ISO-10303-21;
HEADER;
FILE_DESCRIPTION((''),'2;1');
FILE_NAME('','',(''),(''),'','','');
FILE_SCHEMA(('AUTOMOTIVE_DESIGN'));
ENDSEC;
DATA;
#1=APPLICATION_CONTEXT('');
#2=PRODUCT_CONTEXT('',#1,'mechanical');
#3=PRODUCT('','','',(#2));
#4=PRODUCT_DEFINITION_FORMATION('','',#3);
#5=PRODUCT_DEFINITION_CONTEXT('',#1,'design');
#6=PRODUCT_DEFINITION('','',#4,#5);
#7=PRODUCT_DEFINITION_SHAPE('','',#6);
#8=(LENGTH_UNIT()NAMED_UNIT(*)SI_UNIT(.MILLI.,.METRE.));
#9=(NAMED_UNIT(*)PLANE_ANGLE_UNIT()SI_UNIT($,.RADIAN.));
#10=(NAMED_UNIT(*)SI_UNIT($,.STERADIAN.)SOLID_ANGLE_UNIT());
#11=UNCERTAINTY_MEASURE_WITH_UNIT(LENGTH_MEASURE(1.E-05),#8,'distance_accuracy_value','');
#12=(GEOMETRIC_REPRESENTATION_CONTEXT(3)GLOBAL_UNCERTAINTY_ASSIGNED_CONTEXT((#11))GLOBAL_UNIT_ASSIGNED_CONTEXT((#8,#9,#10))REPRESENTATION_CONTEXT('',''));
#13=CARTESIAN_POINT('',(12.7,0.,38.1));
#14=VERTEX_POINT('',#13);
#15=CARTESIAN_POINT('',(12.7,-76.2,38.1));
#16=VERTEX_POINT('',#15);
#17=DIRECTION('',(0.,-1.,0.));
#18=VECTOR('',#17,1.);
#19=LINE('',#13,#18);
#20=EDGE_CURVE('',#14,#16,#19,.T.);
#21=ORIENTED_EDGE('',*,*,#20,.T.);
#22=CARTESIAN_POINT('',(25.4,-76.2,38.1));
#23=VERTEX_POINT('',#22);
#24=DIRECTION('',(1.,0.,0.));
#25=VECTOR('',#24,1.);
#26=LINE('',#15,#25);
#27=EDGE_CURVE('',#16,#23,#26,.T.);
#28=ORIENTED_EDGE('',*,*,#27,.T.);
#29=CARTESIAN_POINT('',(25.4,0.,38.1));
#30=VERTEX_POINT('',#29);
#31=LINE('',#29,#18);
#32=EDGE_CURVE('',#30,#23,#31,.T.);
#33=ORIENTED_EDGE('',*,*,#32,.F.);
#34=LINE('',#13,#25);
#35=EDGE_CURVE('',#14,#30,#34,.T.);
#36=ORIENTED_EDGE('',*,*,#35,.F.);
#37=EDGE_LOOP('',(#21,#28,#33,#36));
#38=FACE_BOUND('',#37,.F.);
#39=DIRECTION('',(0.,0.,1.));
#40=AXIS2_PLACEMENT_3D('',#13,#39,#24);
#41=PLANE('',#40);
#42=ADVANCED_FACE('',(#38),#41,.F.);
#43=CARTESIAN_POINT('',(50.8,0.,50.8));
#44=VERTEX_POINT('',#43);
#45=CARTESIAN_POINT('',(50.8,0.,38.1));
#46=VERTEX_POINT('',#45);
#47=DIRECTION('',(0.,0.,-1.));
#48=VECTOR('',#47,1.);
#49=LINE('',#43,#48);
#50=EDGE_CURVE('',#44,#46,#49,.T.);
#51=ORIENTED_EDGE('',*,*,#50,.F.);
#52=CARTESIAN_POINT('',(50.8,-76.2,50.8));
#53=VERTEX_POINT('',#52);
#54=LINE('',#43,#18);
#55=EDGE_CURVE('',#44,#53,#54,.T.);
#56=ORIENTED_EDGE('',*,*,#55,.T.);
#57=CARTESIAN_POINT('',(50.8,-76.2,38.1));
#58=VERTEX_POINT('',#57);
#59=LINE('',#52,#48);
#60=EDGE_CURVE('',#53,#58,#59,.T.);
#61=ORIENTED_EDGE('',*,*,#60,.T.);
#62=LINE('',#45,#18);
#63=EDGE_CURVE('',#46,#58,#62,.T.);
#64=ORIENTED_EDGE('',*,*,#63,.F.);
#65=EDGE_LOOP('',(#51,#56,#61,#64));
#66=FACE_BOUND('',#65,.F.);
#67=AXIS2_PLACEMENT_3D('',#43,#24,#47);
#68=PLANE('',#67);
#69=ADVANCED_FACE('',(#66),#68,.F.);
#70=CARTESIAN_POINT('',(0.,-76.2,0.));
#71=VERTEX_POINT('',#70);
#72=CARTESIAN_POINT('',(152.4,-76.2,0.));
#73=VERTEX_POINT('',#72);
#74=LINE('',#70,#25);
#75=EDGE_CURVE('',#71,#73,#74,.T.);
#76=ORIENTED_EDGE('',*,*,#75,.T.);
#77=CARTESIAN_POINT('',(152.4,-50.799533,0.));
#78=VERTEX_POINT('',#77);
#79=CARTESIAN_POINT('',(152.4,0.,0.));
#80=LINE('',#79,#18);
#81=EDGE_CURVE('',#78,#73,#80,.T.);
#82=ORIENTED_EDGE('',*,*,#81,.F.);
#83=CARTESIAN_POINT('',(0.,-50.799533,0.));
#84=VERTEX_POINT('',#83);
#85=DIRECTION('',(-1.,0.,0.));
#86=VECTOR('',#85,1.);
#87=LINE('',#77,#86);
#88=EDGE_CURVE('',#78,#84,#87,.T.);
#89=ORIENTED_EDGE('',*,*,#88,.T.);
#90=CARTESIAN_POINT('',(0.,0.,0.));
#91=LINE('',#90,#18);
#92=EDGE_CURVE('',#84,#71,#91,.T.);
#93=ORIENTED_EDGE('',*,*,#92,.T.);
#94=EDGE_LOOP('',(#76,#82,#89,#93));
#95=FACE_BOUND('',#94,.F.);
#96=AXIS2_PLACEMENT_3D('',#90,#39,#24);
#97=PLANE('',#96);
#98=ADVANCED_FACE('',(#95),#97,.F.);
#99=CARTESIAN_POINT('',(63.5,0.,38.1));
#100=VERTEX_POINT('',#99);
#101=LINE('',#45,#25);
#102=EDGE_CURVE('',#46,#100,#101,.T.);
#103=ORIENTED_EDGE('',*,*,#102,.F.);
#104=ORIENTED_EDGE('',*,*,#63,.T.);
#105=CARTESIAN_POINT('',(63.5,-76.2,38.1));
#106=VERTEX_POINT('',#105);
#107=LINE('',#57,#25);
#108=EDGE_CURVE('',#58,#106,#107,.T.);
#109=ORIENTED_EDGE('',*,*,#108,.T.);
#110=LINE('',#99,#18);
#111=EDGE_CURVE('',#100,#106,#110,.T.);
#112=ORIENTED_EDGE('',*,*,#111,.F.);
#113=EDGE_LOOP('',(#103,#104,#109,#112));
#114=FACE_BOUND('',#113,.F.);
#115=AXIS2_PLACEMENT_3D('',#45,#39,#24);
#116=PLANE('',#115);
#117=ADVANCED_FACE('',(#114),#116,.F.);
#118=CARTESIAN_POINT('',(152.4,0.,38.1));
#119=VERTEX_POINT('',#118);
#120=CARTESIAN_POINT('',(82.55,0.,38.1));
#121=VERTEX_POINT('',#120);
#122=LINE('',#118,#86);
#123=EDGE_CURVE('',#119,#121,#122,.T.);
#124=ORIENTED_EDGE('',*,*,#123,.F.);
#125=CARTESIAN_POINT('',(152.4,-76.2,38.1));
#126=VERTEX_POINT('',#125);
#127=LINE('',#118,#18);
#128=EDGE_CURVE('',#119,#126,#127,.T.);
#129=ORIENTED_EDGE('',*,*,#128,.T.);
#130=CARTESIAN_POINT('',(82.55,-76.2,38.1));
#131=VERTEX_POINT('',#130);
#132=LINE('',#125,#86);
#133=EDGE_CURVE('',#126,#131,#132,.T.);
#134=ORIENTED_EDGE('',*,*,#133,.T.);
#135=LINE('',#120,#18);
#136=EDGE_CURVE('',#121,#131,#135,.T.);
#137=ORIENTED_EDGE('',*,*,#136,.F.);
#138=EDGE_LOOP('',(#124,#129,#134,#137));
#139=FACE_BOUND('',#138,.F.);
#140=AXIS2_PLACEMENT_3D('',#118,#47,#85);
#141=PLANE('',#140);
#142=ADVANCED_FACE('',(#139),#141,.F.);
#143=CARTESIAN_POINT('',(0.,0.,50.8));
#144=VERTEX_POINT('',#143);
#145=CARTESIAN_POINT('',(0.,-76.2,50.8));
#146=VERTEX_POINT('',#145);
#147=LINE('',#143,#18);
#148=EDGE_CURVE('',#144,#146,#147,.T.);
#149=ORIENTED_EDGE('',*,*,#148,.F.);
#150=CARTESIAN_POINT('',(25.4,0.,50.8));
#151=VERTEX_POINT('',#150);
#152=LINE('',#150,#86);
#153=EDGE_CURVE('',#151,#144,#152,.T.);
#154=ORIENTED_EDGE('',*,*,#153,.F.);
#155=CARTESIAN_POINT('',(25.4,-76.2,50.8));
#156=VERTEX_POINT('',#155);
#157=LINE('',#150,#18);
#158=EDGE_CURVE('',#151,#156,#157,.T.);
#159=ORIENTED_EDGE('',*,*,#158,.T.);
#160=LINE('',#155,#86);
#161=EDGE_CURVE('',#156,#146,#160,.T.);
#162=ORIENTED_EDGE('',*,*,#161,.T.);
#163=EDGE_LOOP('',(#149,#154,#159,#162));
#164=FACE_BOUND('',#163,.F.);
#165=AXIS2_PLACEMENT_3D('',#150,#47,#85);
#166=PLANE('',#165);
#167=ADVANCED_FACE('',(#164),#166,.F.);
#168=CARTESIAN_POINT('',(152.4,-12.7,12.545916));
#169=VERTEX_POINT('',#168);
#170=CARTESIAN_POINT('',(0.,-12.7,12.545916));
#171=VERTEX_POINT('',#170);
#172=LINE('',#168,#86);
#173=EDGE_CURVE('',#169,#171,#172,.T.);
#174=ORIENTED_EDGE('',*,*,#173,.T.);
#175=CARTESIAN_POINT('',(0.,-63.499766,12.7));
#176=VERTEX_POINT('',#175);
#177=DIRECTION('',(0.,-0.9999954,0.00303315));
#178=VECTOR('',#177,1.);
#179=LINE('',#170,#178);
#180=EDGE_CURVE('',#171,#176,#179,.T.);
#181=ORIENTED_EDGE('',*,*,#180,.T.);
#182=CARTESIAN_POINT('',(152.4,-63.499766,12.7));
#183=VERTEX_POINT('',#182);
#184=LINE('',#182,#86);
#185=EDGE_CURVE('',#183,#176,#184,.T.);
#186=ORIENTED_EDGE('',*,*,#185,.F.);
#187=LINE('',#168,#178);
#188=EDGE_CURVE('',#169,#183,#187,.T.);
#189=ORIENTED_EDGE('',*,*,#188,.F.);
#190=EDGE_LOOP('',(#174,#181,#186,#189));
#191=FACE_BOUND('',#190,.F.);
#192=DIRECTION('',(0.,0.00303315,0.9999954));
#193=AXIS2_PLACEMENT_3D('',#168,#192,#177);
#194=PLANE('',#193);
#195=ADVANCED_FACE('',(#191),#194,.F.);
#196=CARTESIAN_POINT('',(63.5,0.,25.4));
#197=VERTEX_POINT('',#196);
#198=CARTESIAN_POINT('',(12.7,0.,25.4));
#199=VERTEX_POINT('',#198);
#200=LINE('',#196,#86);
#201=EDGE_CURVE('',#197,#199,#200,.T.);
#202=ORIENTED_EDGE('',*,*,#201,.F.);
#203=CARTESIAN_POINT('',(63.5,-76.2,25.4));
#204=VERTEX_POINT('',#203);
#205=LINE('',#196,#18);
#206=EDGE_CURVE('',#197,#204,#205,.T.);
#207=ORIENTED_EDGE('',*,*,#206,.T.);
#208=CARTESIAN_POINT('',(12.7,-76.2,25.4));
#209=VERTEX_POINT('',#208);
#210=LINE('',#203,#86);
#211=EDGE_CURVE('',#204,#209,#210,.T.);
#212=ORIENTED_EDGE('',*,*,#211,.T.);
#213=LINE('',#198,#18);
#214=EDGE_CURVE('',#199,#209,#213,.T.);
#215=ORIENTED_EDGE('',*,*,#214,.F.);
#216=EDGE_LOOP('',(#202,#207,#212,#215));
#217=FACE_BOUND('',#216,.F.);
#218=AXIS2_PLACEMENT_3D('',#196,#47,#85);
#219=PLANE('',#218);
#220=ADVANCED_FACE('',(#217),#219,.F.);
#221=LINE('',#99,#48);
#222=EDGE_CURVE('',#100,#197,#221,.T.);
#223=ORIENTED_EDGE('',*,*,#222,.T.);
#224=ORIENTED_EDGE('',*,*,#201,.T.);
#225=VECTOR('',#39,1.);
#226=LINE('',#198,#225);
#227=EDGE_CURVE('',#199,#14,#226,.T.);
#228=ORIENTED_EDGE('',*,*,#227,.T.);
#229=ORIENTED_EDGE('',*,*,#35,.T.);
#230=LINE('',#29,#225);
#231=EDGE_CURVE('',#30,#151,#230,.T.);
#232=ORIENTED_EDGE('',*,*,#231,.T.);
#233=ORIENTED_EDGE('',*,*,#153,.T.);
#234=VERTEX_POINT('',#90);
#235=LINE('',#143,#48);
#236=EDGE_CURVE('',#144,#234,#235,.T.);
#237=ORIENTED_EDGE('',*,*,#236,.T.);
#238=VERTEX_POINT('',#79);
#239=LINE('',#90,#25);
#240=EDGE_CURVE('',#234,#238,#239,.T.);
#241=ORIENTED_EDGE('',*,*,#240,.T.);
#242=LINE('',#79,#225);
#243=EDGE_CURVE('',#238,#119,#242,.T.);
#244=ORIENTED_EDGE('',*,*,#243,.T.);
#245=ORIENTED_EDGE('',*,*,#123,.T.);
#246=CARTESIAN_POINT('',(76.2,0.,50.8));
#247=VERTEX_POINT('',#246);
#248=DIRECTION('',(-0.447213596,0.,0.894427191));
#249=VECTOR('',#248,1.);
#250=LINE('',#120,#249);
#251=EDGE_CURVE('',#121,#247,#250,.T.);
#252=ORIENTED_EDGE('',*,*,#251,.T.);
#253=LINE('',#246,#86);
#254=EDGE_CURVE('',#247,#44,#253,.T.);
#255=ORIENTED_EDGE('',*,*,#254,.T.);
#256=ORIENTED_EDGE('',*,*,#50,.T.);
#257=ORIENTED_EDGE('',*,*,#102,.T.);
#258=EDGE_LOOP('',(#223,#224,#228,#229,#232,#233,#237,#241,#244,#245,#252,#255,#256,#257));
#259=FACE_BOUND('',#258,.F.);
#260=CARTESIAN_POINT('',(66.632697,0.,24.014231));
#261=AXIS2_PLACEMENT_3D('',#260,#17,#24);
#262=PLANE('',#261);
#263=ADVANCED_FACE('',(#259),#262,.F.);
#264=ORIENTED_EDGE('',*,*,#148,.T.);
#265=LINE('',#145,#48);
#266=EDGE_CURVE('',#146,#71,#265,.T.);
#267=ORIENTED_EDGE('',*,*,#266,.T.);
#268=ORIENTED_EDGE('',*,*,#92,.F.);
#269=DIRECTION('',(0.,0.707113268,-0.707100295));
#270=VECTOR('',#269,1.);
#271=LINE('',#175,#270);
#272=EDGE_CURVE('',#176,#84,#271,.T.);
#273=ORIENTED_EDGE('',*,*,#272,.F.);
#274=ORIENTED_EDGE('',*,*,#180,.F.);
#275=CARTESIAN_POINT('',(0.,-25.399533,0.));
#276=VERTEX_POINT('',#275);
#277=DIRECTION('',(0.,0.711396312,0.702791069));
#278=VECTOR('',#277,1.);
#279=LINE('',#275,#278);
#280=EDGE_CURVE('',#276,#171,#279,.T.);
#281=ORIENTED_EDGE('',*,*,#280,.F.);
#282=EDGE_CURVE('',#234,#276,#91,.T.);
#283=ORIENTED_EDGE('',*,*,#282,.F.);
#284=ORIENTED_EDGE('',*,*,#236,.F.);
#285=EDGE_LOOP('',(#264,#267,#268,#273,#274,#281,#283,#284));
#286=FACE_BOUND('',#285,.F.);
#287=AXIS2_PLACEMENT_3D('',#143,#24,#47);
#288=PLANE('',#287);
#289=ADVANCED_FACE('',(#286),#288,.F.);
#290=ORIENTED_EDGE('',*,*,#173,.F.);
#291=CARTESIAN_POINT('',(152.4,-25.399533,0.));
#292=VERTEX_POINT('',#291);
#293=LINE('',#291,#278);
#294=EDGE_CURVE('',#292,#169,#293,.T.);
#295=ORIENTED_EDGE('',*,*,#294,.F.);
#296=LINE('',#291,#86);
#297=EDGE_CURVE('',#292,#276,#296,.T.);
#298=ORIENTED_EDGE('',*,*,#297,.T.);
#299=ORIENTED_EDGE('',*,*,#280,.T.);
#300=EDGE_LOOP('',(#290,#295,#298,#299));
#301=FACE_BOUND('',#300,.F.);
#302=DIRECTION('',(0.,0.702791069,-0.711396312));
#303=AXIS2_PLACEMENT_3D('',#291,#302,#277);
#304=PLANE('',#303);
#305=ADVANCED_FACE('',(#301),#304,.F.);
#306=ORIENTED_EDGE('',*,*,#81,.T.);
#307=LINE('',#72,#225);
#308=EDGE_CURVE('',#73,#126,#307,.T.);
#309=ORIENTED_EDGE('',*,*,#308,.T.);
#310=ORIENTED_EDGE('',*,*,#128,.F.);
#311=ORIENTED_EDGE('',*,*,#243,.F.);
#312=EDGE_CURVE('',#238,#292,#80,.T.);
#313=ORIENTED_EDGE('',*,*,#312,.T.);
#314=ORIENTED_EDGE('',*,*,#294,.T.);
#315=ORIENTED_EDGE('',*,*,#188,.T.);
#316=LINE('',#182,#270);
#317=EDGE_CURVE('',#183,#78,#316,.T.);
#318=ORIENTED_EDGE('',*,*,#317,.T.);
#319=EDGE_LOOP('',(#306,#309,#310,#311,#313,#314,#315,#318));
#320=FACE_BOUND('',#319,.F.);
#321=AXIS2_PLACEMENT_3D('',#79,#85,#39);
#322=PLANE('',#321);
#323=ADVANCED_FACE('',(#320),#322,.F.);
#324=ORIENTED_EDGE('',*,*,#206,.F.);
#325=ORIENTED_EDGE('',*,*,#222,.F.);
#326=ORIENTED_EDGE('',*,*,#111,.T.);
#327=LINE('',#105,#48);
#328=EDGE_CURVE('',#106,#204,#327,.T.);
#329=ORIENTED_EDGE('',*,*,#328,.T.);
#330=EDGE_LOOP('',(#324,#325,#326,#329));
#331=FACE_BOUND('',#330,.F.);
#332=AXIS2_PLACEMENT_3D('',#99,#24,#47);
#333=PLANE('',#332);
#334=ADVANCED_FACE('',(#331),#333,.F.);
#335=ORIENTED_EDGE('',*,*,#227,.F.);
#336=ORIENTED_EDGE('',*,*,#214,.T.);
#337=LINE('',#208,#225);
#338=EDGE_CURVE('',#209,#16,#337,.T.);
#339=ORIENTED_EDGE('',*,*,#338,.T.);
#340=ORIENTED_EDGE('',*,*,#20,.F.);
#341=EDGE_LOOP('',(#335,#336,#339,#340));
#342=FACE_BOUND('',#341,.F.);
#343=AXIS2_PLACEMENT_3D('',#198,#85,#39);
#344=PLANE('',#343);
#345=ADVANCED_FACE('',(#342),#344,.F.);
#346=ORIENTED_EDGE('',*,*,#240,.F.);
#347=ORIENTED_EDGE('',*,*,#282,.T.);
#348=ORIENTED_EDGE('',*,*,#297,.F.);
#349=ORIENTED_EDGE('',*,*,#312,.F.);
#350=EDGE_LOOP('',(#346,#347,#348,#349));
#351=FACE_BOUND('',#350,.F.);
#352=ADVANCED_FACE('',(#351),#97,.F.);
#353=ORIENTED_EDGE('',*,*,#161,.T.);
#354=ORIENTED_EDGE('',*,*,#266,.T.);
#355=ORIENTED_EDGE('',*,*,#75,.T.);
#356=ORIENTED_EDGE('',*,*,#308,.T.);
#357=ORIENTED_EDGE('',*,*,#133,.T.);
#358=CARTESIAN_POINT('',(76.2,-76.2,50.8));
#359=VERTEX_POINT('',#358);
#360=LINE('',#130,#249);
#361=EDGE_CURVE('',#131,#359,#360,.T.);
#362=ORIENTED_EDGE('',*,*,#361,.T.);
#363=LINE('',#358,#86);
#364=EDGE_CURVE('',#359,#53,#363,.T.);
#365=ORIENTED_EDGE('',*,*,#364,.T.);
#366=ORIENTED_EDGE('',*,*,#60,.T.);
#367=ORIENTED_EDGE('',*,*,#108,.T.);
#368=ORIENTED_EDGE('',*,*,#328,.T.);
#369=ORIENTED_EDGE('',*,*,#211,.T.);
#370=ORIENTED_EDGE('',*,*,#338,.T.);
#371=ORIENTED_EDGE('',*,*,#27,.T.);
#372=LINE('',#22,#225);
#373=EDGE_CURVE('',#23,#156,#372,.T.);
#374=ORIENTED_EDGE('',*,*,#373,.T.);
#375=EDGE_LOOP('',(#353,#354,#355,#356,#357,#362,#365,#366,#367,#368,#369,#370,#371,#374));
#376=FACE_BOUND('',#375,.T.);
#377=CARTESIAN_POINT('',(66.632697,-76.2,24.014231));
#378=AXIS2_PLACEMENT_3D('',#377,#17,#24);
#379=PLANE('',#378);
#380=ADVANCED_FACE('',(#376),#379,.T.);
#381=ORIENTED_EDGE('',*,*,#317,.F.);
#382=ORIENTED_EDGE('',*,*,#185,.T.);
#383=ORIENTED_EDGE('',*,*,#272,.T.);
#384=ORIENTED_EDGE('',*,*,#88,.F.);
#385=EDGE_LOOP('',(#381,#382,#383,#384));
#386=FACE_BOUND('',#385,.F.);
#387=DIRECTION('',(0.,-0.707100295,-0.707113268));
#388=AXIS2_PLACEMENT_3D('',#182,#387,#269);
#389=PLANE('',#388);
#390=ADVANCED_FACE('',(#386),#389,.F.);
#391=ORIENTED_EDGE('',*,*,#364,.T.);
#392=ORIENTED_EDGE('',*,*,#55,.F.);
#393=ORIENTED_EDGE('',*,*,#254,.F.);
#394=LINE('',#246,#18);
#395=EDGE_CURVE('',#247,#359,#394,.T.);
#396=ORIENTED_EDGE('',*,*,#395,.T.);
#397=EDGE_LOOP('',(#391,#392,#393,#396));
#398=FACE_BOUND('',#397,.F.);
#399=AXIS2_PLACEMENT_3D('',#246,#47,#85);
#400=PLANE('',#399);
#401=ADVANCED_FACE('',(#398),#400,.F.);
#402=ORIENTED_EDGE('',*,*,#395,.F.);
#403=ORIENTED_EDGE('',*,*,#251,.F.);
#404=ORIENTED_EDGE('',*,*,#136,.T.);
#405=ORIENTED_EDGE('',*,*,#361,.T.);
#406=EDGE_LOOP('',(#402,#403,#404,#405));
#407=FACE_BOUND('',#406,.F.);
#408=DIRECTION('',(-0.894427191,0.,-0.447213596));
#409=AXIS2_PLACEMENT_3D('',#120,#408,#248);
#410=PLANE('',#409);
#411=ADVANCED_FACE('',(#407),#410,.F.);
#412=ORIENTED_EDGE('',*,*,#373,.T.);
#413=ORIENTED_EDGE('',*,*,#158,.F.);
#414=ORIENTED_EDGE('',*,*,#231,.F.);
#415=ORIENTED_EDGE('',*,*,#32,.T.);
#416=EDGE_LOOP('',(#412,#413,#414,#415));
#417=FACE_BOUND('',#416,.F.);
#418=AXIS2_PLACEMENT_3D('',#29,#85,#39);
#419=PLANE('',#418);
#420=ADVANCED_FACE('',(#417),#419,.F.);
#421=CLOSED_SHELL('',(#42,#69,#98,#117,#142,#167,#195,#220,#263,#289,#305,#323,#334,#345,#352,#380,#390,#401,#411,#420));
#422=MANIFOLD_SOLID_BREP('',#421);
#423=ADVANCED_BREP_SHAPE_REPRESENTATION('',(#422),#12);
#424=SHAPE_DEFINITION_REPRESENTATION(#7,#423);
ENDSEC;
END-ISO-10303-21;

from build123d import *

# Parameters (mm, degrees)
F1_DEPTH = 76.2
F3_DEPTH = 152.4


with BuildPart() as f1:
    # F0 (on Front) → F1 (new body)
    with BuildSketch(Plane.XZ):
        Polygon((0, 50.8), (0, 0), (152.4, 0), (152.4, 38.1), (82.55, 38.1), (76.2, 50.8), (50.8, 50.8), (50.8, 38.1), (63.5, 38.1), (63.5, 25.4), (12.7, 25.4), (12.7, 38.1), (25.4, 38.1), (25.4, 50.8), align=None)
    extrude(amount=F1_DEPTH)

    # F2 (on face) → F3 (cut)
    with BuildSketch(Plane.YZ.offset(152.4)):
        Polygon((-63.499766, 12.7), (-50.799533, 0), (-25.399533, 0), (-12.7, 12.545916), align=None)
    extrude(amount=-F3_DEPTH, mode=Mode.SUBTRACT)


solid = f1.part
